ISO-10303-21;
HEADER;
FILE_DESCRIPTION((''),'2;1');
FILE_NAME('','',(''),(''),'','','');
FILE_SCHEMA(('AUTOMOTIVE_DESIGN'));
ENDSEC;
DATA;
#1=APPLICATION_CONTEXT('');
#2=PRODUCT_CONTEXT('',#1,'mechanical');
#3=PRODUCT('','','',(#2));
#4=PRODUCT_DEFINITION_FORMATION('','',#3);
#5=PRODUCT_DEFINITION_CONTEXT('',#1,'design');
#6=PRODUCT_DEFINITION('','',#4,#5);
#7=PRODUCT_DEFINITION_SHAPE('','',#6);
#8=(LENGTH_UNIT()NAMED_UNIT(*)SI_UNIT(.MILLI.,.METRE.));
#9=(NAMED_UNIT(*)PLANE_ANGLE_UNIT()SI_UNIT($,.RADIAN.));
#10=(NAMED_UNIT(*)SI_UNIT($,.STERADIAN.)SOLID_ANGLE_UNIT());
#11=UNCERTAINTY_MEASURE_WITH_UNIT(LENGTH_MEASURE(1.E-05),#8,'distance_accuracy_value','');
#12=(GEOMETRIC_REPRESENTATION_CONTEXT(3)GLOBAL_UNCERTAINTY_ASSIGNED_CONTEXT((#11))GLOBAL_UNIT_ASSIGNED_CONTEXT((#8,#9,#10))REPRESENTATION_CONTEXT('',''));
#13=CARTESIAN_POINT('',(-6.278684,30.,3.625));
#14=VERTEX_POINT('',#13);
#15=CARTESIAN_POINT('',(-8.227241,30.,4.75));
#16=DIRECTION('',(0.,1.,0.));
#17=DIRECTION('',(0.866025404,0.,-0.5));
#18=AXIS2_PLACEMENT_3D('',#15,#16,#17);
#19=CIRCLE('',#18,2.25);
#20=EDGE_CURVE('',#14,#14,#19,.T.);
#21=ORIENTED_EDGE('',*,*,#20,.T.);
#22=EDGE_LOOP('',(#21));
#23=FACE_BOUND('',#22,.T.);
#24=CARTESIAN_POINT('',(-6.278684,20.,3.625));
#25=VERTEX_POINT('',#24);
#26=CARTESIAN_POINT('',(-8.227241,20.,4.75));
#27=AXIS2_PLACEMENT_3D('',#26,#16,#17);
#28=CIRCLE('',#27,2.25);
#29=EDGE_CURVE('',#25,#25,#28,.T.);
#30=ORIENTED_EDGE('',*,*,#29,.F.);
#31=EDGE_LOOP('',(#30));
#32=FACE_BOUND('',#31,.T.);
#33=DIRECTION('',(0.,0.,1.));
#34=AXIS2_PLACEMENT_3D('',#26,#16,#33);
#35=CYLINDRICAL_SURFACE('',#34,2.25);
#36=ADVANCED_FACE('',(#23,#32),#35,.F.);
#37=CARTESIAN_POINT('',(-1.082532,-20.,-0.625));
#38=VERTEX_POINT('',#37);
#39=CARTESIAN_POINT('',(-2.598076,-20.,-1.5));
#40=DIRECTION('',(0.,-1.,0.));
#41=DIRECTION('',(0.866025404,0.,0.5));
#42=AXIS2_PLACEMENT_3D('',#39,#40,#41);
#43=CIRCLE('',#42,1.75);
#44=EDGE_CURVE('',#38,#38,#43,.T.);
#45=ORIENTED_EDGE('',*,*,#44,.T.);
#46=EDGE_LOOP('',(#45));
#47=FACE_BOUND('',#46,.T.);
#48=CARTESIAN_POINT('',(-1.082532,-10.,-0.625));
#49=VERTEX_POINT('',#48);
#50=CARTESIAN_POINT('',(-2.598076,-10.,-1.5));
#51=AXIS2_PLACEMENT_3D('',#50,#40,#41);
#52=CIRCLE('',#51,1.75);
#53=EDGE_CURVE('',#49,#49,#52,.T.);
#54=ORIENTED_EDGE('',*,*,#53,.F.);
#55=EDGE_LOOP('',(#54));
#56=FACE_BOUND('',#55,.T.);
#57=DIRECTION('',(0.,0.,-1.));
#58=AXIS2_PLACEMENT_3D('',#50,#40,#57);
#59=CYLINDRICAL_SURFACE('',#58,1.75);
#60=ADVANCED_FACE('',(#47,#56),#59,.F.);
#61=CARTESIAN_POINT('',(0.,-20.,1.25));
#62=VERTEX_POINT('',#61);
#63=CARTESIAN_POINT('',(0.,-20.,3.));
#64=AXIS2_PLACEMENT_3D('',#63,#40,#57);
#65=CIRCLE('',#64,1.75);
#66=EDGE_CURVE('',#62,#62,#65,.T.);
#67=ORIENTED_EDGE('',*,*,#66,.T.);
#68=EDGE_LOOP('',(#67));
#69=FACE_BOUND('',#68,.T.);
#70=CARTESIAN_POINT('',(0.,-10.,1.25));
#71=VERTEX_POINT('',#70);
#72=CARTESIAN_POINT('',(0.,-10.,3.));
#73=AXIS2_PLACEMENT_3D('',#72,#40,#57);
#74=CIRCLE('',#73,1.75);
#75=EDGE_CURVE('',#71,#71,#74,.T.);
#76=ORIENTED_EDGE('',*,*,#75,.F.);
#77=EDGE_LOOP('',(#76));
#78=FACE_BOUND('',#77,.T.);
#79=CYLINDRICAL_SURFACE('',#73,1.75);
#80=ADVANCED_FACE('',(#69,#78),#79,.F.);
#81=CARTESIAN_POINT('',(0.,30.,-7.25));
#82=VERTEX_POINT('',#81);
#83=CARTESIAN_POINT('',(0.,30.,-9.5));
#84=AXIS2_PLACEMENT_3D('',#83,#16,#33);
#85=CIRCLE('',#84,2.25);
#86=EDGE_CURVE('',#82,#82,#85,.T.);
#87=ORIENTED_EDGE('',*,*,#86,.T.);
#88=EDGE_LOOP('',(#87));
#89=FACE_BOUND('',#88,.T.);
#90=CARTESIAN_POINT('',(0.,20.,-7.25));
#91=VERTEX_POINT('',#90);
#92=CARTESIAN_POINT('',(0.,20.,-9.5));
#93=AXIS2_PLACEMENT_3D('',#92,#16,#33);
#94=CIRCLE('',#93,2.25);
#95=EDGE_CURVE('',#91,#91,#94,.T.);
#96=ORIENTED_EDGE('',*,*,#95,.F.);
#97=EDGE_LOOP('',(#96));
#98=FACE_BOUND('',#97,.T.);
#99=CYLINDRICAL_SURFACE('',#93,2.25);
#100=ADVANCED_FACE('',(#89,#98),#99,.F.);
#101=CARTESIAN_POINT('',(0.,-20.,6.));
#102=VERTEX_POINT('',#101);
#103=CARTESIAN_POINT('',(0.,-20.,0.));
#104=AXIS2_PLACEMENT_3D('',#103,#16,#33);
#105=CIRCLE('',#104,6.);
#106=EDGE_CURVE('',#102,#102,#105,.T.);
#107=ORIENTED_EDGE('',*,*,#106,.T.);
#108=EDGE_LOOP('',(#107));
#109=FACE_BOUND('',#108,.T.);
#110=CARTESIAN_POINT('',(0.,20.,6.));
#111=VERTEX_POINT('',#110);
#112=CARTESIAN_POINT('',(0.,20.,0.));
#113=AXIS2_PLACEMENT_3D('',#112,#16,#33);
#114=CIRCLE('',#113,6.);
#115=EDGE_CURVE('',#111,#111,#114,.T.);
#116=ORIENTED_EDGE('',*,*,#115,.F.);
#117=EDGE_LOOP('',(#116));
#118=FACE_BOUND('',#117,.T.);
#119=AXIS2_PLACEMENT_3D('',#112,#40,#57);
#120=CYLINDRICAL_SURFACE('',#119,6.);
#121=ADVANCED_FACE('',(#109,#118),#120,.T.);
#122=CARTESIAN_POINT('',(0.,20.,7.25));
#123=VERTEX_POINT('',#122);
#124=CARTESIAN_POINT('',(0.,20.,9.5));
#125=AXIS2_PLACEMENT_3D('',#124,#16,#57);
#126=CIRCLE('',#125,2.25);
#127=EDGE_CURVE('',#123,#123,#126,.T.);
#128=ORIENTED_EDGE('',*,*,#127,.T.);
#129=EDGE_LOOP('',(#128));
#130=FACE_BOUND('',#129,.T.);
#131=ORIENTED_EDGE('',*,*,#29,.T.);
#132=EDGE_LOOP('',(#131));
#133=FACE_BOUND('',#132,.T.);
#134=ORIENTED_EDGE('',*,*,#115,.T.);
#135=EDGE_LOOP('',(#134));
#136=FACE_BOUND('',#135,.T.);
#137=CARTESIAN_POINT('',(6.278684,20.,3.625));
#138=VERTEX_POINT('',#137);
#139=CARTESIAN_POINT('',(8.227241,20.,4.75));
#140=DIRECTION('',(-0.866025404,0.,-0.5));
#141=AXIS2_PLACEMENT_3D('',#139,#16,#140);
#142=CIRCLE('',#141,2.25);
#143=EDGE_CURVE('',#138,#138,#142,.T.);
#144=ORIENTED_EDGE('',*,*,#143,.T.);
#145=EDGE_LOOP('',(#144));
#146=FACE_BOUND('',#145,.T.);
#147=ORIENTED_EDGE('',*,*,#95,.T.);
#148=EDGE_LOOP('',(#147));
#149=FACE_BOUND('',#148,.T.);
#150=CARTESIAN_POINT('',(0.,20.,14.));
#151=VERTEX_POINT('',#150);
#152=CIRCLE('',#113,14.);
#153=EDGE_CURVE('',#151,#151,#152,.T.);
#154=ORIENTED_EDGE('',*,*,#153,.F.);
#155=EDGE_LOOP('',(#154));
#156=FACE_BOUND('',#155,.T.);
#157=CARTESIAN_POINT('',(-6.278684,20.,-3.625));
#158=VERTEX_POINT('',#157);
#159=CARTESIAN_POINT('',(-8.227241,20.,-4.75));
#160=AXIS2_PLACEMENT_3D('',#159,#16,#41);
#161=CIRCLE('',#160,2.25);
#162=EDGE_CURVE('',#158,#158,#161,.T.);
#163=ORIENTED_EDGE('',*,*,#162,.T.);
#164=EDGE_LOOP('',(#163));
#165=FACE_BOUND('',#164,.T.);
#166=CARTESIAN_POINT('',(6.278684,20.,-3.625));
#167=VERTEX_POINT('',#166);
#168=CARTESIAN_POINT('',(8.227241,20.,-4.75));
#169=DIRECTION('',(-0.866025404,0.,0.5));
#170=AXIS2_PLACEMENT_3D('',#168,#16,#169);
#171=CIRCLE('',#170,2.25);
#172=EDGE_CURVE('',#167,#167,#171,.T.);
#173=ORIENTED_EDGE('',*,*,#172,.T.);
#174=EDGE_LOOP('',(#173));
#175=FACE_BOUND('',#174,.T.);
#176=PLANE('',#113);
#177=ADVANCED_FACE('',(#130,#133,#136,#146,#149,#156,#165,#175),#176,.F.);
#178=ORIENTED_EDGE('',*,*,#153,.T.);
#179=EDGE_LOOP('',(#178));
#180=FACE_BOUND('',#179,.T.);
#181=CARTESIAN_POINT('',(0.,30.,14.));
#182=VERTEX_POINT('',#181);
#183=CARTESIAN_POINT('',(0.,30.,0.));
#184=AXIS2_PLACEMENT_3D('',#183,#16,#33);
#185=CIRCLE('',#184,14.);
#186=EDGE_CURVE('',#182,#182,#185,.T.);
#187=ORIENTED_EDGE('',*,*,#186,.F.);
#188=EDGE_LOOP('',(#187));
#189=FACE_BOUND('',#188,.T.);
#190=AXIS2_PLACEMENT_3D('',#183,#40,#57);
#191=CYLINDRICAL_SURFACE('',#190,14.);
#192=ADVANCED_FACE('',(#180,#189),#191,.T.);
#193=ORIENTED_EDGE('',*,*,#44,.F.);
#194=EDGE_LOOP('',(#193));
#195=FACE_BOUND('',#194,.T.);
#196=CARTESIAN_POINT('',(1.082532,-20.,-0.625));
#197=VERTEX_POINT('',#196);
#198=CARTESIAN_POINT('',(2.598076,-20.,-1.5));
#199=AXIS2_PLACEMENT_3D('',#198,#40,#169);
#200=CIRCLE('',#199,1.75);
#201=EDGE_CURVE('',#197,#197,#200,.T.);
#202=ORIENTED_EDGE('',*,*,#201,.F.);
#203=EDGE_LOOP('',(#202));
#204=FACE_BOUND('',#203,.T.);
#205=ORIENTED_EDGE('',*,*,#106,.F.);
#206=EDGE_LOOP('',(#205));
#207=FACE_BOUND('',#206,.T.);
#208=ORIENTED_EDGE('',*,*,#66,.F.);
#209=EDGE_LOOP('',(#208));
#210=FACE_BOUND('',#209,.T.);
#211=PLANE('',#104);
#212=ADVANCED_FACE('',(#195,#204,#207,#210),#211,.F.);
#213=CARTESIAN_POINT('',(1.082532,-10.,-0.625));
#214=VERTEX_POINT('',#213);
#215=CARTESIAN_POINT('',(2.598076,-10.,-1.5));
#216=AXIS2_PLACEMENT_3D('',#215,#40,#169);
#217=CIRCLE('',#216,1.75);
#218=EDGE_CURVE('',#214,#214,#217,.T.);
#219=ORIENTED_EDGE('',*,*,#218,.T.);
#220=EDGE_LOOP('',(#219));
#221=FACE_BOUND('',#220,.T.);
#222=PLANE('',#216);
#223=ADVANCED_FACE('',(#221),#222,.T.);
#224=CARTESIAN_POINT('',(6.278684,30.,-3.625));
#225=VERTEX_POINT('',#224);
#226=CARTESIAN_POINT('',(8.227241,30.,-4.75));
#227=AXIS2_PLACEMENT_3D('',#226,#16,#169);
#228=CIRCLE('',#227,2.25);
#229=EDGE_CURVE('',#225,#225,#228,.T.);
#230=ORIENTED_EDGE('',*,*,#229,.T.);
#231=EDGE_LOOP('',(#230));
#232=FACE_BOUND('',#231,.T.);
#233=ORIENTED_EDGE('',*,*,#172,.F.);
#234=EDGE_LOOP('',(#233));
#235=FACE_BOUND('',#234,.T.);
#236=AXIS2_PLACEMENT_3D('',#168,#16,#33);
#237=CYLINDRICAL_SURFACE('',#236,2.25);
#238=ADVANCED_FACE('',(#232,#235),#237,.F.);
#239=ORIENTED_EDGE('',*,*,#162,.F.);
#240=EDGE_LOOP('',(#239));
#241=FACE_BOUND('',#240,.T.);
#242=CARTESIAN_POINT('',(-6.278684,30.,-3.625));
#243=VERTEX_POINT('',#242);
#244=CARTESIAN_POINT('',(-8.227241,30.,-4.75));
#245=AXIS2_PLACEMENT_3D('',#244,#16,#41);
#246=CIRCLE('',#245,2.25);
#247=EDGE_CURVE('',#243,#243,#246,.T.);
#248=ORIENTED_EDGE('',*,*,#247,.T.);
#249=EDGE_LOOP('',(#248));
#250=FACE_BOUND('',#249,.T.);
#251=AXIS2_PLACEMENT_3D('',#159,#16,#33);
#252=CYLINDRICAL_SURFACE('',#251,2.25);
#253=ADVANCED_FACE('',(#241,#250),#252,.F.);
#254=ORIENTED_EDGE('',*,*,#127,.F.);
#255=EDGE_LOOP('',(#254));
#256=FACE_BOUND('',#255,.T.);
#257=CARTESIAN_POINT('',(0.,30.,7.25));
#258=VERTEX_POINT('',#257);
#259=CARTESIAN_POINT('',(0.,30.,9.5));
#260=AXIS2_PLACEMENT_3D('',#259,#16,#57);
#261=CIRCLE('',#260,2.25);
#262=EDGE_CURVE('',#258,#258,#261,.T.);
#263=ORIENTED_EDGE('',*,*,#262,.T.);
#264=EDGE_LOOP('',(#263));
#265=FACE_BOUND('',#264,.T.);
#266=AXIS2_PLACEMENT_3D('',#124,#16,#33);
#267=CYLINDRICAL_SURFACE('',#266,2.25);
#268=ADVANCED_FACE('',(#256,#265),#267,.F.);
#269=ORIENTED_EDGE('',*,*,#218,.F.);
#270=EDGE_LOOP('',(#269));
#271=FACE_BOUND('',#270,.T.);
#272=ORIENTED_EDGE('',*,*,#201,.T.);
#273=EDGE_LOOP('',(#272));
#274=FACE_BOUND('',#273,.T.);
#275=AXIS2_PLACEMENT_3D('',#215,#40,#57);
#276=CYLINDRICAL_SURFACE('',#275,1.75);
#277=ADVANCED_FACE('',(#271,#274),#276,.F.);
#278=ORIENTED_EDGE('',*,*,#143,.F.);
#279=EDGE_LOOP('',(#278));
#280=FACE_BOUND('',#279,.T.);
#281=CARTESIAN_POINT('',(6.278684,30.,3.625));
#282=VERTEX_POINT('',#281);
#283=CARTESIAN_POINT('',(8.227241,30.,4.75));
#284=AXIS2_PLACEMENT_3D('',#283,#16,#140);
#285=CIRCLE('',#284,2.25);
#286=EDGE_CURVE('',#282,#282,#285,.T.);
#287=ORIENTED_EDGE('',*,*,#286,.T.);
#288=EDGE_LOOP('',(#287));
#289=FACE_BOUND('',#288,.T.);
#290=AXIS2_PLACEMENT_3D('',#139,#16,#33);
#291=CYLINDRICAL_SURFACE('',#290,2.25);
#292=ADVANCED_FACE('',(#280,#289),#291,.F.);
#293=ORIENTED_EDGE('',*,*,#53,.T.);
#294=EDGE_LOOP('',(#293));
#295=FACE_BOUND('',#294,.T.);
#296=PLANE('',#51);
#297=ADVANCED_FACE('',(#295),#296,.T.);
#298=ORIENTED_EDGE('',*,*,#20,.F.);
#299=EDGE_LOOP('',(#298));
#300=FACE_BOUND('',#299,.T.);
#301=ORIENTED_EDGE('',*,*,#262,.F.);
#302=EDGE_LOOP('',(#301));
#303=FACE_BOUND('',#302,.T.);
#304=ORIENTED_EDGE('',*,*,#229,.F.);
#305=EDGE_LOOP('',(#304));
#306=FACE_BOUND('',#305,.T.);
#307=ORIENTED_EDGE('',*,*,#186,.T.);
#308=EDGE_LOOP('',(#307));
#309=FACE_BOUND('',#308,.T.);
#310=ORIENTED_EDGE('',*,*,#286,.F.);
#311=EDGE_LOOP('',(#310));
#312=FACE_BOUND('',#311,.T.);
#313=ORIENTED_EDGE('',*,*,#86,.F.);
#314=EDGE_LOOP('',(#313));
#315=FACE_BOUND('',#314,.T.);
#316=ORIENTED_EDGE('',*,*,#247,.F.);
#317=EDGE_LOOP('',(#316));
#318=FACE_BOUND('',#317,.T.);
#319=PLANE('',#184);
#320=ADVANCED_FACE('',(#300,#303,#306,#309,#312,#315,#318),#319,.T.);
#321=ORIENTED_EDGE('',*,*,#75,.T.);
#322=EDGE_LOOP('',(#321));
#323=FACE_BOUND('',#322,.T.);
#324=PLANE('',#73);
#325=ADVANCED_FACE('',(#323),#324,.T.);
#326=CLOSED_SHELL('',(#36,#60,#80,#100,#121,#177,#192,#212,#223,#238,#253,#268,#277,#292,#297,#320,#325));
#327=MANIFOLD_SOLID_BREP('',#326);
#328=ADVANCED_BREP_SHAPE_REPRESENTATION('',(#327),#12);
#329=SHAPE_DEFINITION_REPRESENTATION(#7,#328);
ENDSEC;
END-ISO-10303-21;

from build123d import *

# Parameters (mm, degrees)
SKETCH1_R           = 6
BOSS_EXTRUDE1_DEPTH = 20
SKETCH4_R           = 14
BOSS_EXTRUDE2_DEPTH = 10
SKETCH5_R           = 2.25
CUT_EXTRUDE2_DEPTH  = 10
CIRPATTERN1_COUNT   = 6
SKETCH7_R           = 1.75
CUT_EXTRUDE3_DEPTH  = 10
CIRPATTERN2_COUNT   = 3


with BuildPart() as part:
    # Sketch1 → Boss-Extrude1 (new body, symmetric)
    with BuildSketch(Plane(origin=(0, 0, 0), x_dir=(1, 0, 0), z_dir=(0, 1, 0))):
        Circle(SKETCH1_R)
    extrude(amount=BOSS_EXTRUDE1_DEPTH, both=True)

    # Sketch4 → Boss-Extrude2 (add)
    with BuildSketch(Plane(origin=(0, 20, 0), x_dir=(1, 0, 0), z_dir=(0, 1, 0))):
        Circle(SKETCH4_R)
    extrude(amount=BOSS_EXTRUDE2_DEPTH)

    # Sketch5 → Cut-Extrude2 (cut)
    with BuildSketch(Plane(origin=(0, 30, 0), x_dir=(1, 0, 0), z_dir=(0, 1, 0))):
        with Locations((0, 9.5)):
            Circle(SKETCH5_R)
    cut_extrude2 = extrude(amount=-CUT_EXTRUDE2_DEPTH, mode=Mode.SUBTRACT)

    # CirPattern1: Cut-Extrude2 ×6 about axis
    cirpattern1_axis = Axis((0, 0, 0), (0, 1, 0))
    for i in range(1, CIRPATTERN1_COUNT):
        add(cut_extrude2.rotate(cirpattern1_axis, i * 360 / CIRPATTERN1_COUNT), mode=Mode.SUBTRACT)

    # Sketch7 → Cut-Extrude3 (cut)
    with BuildSketch(Plane.XZ.offset(20)):
        with Locations((0, 3)):
            Circle(SKETCH7_R)
    cut_extrude3 = extrude(amount=-CUT_EXTRUDE3_DEPTH, mode=Mode.SUBTRACT)

    # CirPattern2: Cut-Extrude3 ×3 about axis
    cirpattern2_axis = Axis((0, 0, 0), (0, 1, 0))
    for i in range(1, CIRPATTERN2_COUNT):
        add(cut_extrude3.rotate(cirpattern2_axis, i * 360 / CIRPATTERN2_COUNT), mode=Mode.SUBTRACT)


solid = part.part
